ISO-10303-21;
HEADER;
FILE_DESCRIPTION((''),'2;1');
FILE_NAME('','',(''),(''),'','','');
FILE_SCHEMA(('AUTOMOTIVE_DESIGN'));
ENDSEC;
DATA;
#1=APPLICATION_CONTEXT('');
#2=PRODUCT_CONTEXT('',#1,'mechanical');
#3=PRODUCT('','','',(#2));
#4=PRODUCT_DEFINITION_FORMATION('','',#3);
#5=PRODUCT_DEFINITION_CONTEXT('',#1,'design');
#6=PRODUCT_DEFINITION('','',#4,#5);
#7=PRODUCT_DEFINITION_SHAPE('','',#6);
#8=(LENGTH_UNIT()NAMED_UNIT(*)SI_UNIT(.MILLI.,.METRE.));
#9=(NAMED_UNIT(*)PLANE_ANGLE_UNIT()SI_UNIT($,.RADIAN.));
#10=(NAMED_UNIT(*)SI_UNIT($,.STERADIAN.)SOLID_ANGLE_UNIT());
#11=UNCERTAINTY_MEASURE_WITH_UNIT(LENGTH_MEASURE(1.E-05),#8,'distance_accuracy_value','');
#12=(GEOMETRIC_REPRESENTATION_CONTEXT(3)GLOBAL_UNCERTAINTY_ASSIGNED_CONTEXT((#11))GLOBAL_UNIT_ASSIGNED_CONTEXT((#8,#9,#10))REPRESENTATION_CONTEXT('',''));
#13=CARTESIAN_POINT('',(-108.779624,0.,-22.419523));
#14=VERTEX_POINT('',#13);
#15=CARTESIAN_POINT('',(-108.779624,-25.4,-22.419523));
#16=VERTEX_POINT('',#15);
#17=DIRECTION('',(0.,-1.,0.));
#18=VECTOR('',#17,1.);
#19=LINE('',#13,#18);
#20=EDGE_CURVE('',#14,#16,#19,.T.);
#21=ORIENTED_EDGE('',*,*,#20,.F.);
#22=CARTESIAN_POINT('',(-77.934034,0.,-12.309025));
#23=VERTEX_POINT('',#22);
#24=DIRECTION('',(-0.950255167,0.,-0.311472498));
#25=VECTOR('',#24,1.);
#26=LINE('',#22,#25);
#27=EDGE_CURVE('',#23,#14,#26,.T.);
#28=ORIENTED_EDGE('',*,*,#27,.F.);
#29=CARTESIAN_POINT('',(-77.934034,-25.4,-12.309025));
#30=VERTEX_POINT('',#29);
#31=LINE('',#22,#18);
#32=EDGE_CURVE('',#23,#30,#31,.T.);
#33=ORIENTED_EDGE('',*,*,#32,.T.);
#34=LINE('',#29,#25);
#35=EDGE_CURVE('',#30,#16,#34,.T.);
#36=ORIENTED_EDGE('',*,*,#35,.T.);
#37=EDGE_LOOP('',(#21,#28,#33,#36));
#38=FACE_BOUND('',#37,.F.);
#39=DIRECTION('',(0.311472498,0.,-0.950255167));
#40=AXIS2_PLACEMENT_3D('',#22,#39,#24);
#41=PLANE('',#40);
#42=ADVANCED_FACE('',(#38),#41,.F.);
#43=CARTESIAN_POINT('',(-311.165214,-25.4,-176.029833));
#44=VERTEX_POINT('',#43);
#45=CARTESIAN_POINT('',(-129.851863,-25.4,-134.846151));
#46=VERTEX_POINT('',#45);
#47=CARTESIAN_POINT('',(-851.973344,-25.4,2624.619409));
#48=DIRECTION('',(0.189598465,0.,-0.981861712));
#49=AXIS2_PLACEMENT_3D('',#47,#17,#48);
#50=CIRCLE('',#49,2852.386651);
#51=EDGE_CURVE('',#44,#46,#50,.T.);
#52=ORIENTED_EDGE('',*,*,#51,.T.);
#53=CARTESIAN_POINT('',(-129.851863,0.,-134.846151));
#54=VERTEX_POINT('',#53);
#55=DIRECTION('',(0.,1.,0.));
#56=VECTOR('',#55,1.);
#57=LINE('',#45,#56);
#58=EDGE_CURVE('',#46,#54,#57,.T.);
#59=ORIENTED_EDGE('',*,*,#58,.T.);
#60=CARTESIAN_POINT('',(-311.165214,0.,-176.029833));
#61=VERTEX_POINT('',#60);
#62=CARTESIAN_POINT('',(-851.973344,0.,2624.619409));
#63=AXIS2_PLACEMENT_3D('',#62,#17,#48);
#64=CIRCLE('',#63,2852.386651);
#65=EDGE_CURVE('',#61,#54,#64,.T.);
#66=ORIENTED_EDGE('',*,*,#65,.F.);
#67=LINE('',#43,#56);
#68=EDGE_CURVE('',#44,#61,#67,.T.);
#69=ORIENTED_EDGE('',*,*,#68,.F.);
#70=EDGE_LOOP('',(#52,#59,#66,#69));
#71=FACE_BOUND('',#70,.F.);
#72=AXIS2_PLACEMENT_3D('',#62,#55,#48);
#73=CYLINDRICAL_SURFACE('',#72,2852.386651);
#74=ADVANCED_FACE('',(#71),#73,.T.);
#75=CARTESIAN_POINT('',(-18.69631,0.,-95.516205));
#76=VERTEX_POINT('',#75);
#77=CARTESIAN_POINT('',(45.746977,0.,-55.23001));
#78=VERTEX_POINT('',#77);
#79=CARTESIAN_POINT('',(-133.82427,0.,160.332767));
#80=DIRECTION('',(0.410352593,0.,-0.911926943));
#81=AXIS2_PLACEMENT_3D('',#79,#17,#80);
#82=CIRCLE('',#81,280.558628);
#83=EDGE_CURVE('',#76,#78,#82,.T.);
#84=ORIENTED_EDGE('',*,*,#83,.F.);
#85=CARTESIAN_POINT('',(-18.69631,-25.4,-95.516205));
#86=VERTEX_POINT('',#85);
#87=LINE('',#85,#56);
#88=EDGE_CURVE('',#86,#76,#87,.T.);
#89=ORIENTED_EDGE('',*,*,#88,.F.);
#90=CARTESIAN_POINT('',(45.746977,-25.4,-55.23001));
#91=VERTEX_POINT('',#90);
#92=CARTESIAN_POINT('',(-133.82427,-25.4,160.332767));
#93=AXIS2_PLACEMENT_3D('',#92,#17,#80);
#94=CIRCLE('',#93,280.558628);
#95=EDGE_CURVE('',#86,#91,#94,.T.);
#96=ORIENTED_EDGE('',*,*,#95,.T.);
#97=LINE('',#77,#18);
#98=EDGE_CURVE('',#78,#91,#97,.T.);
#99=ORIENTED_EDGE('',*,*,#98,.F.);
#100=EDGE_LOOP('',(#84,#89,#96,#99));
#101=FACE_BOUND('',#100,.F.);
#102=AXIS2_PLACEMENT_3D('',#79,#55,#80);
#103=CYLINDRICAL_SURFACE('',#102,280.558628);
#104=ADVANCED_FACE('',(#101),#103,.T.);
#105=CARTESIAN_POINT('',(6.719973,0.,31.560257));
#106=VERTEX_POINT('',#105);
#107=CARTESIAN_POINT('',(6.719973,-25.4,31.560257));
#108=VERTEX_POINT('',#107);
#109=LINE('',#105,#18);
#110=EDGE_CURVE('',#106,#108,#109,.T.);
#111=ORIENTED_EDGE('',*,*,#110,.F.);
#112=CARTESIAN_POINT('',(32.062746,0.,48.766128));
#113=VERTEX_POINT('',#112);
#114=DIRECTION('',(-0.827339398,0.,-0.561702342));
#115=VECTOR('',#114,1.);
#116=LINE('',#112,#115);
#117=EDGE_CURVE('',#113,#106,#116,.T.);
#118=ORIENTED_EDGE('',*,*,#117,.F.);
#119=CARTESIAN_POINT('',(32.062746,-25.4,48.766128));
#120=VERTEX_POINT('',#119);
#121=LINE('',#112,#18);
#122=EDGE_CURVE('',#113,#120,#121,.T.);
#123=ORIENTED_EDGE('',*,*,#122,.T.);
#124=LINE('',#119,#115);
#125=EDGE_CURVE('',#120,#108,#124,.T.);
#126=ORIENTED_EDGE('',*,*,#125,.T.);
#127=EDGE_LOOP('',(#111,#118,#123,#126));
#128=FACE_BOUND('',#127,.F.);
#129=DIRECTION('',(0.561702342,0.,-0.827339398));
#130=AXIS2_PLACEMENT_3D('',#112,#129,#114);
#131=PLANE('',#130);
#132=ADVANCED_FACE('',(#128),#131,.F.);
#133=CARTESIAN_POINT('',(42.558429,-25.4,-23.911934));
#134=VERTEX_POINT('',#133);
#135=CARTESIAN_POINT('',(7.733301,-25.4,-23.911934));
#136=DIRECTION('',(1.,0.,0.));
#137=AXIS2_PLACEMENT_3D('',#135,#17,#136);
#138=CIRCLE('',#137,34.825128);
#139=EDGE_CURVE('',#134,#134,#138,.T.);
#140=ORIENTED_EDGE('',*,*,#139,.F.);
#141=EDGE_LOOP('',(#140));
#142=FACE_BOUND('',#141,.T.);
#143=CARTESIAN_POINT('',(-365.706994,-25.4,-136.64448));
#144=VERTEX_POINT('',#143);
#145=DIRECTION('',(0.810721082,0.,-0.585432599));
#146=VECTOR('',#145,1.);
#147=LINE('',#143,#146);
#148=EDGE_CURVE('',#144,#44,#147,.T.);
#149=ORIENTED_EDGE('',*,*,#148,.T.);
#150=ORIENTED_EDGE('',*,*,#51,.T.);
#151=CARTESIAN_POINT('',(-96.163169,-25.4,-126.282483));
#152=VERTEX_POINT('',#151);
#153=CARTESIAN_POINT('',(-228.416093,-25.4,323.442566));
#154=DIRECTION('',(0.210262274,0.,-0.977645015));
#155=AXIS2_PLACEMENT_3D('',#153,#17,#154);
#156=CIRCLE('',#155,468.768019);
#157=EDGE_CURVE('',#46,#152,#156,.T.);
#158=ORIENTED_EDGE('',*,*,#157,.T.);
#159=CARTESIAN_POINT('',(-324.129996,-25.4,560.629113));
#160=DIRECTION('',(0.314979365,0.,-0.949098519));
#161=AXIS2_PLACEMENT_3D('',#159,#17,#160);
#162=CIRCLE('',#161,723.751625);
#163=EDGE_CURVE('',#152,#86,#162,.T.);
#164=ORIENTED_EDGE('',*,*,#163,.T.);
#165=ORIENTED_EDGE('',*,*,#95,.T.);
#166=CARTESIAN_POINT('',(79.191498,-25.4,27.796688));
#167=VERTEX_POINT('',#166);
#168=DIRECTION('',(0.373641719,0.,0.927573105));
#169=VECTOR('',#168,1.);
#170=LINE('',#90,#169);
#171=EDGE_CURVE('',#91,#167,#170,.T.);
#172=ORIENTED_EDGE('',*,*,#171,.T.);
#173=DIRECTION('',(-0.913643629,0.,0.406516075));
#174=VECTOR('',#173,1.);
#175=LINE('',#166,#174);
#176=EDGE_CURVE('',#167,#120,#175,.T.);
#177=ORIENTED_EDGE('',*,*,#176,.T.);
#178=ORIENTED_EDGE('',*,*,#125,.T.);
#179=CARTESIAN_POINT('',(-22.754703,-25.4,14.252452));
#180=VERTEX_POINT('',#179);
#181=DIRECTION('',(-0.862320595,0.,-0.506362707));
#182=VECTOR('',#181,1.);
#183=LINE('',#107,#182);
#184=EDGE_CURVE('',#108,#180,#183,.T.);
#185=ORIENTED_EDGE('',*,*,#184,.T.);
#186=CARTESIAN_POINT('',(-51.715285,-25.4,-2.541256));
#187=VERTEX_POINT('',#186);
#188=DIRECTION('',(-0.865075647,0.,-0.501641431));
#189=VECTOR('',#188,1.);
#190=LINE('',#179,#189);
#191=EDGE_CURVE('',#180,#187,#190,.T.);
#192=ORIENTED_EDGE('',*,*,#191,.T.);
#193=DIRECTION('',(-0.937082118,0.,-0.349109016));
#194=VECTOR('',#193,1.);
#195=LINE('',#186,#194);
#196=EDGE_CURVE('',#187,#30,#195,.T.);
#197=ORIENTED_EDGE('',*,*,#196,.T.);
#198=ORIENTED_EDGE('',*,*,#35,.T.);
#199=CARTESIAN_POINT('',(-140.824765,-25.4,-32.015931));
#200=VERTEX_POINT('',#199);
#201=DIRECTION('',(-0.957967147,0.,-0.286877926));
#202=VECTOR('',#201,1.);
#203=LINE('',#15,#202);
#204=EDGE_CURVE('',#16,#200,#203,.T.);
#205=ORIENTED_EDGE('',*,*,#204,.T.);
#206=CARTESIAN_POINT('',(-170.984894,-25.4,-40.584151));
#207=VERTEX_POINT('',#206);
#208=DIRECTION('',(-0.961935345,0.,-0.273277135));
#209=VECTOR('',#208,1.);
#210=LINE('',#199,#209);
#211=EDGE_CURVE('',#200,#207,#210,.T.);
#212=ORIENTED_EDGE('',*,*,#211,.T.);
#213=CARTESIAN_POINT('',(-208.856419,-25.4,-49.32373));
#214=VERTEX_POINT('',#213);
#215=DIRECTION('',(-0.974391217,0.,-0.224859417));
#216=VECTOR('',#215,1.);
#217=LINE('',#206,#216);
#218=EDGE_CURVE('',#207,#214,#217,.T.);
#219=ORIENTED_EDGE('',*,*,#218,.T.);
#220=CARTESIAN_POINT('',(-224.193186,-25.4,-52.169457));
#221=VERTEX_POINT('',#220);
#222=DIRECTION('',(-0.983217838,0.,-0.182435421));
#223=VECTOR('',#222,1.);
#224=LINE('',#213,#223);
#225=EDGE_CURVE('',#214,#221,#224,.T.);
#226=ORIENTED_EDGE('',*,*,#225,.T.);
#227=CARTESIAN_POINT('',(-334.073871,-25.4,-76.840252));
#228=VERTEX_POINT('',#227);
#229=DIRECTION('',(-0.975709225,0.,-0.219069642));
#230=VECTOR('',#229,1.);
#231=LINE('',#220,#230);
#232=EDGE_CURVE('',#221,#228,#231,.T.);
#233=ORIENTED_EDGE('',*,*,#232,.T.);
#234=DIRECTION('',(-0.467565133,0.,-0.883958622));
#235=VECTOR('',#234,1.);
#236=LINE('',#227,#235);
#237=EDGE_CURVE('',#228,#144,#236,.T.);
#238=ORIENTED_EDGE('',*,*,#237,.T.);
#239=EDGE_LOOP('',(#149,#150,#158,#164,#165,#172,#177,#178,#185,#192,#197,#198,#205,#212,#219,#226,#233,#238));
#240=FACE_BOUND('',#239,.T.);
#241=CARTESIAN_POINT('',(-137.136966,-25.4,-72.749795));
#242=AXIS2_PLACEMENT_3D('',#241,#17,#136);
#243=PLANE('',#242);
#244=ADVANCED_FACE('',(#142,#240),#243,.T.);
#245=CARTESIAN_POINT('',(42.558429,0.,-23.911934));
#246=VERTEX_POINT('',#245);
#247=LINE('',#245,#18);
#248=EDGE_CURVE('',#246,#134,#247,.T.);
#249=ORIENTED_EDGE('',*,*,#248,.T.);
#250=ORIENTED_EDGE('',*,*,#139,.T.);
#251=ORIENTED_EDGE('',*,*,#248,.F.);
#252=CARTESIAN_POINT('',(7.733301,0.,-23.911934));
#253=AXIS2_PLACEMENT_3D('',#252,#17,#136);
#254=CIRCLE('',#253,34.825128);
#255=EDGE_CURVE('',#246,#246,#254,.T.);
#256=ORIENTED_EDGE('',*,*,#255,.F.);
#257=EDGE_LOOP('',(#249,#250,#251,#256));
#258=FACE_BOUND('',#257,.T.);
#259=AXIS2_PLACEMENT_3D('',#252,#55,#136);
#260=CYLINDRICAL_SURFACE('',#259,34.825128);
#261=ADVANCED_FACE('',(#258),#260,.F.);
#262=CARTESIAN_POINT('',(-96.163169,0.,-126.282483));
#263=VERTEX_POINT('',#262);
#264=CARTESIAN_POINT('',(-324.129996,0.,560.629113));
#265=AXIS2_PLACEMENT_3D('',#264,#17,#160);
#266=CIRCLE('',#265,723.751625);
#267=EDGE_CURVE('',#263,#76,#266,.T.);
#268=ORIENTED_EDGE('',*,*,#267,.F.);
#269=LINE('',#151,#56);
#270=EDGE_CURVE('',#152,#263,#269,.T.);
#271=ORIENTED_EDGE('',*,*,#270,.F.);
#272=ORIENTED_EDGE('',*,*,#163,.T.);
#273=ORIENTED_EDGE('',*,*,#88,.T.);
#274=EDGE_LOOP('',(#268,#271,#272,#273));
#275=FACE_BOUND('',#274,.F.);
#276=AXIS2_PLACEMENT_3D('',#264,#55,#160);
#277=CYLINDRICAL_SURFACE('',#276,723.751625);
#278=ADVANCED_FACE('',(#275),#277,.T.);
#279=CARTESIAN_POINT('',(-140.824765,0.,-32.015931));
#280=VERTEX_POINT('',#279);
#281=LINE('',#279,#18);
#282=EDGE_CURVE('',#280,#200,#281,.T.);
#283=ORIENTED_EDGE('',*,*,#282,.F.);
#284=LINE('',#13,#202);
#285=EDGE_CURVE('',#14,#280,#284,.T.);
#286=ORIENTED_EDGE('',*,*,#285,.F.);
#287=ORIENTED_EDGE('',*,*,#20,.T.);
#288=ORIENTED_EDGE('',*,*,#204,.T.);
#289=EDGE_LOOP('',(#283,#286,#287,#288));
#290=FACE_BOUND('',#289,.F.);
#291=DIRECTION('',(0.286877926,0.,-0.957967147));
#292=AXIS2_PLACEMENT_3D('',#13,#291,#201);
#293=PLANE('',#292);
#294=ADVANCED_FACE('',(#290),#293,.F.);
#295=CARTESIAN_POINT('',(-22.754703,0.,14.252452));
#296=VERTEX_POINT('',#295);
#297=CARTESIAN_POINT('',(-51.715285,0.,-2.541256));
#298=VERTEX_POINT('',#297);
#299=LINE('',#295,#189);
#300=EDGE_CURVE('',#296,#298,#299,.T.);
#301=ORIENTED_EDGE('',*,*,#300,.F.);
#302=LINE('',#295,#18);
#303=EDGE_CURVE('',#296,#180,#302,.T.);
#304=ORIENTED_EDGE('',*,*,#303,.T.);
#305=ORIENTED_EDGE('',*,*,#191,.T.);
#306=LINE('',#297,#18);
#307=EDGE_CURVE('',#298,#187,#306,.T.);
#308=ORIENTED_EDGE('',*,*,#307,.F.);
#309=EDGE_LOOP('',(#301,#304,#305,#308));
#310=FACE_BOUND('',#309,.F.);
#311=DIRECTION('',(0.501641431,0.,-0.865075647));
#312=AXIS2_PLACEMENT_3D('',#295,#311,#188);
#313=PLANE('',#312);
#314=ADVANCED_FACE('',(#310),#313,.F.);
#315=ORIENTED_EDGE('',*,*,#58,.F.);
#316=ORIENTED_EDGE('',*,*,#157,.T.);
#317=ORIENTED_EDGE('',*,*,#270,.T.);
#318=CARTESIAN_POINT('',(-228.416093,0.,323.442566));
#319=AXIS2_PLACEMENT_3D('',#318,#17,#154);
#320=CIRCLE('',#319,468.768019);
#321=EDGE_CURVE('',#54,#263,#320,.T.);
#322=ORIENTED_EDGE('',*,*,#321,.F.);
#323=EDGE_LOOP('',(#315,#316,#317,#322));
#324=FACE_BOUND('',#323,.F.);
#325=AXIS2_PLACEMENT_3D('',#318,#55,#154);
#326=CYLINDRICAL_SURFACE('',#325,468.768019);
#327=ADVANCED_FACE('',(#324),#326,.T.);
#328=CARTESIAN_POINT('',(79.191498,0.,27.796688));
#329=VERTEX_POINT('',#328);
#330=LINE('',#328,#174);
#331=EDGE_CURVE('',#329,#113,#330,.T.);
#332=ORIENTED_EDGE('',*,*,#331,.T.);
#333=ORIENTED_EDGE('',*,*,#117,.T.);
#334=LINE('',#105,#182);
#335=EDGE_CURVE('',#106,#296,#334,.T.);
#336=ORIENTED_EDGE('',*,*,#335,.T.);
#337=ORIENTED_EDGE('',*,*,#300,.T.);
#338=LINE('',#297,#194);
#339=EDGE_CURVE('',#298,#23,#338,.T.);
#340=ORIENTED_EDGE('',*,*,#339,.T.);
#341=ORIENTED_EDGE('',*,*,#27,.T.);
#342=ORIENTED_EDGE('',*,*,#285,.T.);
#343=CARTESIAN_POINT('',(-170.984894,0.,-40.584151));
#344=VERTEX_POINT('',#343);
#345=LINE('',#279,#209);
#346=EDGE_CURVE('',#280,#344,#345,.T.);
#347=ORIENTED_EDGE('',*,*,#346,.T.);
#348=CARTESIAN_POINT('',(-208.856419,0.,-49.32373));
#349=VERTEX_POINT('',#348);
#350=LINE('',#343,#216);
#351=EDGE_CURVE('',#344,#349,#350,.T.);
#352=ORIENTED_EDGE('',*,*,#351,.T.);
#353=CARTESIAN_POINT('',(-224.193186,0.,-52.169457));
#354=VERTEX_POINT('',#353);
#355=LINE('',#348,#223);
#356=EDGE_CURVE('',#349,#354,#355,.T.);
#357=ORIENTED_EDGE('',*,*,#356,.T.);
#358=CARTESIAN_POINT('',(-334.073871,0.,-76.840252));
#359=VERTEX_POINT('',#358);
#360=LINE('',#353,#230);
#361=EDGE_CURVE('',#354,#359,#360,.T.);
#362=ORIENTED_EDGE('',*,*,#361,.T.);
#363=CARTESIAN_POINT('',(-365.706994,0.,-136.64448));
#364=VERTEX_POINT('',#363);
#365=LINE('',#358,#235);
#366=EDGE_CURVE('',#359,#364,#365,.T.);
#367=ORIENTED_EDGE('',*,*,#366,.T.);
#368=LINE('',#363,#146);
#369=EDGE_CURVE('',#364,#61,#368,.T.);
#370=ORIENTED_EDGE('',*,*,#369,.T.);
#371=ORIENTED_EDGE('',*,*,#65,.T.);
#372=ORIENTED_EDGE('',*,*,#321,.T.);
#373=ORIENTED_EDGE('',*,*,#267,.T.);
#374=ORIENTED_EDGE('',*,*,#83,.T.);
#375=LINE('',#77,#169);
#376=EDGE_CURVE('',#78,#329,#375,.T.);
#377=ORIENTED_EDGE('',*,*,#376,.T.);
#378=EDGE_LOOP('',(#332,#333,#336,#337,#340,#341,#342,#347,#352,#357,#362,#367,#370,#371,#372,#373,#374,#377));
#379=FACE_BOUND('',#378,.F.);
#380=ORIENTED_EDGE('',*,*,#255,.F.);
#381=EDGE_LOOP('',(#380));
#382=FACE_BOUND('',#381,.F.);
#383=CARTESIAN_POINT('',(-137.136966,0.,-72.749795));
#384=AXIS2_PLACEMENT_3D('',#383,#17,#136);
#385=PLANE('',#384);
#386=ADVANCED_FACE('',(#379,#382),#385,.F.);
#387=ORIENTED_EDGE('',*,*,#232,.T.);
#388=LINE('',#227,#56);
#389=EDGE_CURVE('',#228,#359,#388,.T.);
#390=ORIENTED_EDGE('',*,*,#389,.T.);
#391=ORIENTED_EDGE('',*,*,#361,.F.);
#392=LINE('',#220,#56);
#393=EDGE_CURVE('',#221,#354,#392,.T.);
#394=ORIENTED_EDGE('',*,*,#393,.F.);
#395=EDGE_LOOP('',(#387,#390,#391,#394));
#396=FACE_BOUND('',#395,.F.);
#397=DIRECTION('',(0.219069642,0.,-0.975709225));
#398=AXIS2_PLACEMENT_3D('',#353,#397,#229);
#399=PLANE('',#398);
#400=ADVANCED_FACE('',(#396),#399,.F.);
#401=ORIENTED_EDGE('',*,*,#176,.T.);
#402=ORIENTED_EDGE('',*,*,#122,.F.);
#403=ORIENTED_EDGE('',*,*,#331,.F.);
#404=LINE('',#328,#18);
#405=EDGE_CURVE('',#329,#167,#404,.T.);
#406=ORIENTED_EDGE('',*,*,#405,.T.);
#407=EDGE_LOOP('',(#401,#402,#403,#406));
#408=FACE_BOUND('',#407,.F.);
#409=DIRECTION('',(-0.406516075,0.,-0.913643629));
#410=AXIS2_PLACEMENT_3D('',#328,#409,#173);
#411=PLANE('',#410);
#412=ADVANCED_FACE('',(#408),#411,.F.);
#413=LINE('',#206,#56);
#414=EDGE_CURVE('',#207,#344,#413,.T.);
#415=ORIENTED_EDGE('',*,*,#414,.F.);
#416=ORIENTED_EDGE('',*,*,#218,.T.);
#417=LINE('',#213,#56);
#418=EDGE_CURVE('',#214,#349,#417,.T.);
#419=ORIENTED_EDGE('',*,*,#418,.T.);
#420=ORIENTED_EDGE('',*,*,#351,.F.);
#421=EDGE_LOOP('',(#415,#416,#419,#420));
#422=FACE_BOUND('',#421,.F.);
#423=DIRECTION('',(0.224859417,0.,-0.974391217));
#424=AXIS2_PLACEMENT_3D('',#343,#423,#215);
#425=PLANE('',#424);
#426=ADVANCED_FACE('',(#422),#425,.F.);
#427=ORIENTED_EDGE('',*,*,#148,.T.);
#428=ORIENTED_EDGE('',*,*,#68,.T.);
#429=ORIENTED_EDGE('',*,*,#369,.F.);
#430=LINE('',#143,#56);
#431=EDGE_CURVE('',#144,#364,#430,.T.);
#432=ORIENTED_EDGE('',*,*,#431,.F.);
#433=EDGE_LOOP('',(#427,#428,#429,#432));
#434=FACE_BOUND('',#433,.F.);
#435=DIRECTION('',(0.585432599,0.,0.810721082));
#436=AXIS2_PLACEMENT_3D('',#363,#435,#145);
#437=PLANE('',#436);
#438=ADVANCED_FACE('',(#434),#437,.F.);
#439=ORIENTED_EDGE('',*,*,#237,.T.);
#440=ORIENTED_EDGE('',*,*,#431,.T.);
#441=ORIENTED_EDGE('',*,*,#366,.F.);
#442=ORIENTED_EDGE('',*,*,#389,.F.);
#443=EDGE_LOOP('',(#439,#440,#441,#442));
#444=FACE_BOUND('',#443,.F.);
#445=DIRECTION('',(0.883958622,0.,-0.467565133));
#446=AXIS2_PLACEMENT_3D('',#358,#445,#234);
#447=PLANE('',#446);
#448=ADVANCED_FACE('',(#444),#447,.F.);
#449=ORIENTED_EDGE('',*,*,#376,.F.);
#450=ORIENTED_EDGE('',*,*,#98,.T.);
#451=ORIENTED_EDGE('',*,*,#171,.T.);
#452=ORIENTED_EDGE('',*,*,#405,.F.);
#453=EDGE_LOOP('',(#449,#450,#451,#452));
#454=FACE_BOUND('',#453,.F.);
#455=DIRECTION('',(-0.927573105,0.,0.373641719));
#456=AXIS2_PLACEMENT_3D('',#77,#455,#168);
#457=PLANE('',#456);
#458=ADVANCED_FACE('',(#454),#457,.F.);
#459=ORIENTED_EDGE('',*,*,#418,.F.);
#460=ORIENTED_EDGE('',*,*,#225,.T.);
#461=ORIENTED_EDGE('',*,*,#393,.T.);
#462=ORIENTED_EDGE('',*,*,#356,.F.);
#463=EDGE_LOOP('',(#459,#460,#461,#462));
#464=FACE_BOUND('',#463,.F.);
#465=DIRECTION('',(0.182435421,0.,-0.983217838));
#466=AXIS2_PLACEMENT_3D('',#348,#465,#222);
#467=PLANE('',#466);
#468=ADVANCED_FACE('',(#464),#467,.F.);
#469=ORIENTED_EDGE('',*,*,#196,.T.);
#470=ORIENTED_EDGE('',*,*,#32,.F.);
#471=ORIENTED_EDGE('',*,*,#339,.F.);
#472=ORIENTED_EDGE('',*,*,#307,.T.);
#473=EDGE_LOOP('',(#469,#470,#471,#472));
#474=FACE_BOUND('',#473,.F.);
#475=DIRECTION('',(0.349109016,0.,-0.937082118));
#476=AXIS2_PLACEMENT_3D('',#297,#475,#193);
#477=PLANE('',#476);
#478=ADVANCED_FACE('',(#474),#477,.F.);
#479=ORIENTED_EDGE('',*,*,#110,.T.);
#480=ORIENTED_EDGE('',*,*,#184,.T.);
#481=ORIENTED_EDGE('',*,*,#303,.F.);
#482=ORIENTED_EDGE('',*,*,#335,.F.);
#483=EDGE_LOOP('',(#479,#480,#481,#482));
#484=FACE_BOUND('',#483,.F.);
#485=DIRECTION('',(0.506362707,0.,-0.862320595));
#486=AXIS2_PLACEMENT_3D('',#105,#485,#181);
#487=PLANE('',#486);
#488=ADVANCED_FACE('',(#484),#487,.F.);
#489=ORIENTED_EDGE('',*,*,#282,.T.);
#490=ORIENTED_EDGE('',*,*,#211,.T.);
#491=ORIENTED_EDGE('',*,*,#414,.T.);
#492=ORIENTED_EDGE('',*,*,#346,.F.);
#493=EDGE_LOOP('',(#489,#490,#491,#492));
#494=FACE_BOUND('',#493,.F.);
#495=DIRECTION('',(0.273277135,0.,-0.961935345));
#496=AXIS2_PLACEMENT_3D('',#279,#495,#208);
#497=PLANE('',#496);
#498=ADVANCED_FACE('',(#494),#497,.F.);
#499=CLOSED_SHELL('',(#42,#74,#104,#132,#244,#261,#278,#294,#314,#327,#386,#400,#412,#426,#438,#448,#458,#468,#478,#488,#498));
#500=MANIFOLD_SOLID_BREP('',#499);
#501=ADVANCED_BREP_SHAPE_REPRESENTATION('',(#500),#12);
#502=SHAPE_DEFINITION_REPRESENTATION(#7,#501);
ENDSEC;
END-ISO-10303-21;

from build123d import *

# Parameters (mm, degrees)
F0_R     = 34.825128
F1_DEPTH = 3.175
F2_DEPTH = 25.4


with BuildPart() as f1:
    # F0 (on Front) → F1 (new body)
    with BuildSketch(Plane.XZ):
        with BuildLine():
            ThreePointArc((-18.69631, -95.516205), (14.895769, -77.565307), (45.746977, -55.23001))
            Line((45.746977, -55.23001), (79.191498, 27.796688))
            Line((79.191498, 27.796688), (32.062746, 48.766128))
            Line((32.062746, 48.766128), (6.719973, 31.560257))
            Line((6.719973, 31.560257), (-22.754703, 14.252452))
            Line((-22.754703, 14.252452), (-51.715285, -2.541256))
            Line((-51.715285, -2.541256), (-77.934034, -12.309025))
            Line((-77.934034, -12.309025), (-108.779624, -22.419523))
            Line((-108.779624, -22.419523), (-140.824765, -32.015931))
            Line((-140.824765, -32.015931), (-170.984894, -40.584151))
            Line((-170.984894, -40.584151), (-208.856419, -49.32373))
            Line((-208.856419, -49.32373), (-224.193186, -52.169457))
            Line((-224.193186, -52.169457), (-334.073871, -76.840252))
            Line((-334.073871, -76.840252), (-365.706994, -136.64448))
            Line((-365.706994, -136.64448), (-311.165214, -176.029833))
            ThreePointArc((-311.165214, -176.029833), (-220.172881, -156.91574), (-129.851863, -134.846151))
            ThreePointArc((-129.851863, -134.846151), (-112.928112, -130.876685), (-96.163169, -126.282483))
            ThreePointArc((-96.163169, -126.282483), (-56.986462, -112.015479), (-18.69631, -95.516205))
        make_face()
        with Locations((7.733301, -23.911934)):
            Circle(F0_R, mode=Mode.SUBTRACT)
    extrude(amount=F1_DEPTH)

    # F0 (on Front) → F2 (join)
    with BuildSketch(Plane.XZ):
        with BuildLine():
            ThreePointArc((-18.69631, -95.516205), (14.895769, -77.565307), (45.746977, -55.23001))
            Line((45.746977, -55.23001), (79.191498, 27.796688))
            Line((79.191498, 27.796688), (32.062746, 48.766128))
            Line((32.062746, 48.766128), (6.719973, 31.560257))
            Line((6.719973, 31.560257), (-22.754703, 14.252452))
            Line((-22.754703, 14.252452), (-51.715285, -2.541256))
            Line((-51.715285, -2.541256), (-77.934034, -12.309025))
            Line((-77.934034, -12.309025), (-108.779624, -22.419523))
            Line((-108.779624, -22.419523), (-140.824765, -32.015931))
            Line((-140.824765, -32.015931), (-170.984894, -40.584151))
            Line((-170.984894, -40.584151), (-208.856419, -49.32373))
            Line((-208.856419, -49.32373), (-224.193186, -52.169457))
            Line((-224.193186, -52.169457), (-334.073871, -76.840252))
            Line((-334.073871, -76.840252), (-365.706994, -136.64448))
            Line((-365.706994, -136.64448), (-311.165214, -176.029833))
            ThreePointArc((-311.165214, -176.029833), (-220.172881, -156.91574), (-129.851863, -134.846151))
            ThreePointArc((-129.851863, -134.846151), (-112.928112, -130.876685), (-96.163169, -126.282483))
            ThreePointArc((-96.163169, -126.282483), (-56.986462, -112.015479), (-18.69631, -95.516205))
        make_face()
        with Locations((7.733301, -23.911934)):
            Circle(F0_R, mode=Mode.SUBTRACT)
    extrude(amount=F2_DEPTH)


solid = f1.part
